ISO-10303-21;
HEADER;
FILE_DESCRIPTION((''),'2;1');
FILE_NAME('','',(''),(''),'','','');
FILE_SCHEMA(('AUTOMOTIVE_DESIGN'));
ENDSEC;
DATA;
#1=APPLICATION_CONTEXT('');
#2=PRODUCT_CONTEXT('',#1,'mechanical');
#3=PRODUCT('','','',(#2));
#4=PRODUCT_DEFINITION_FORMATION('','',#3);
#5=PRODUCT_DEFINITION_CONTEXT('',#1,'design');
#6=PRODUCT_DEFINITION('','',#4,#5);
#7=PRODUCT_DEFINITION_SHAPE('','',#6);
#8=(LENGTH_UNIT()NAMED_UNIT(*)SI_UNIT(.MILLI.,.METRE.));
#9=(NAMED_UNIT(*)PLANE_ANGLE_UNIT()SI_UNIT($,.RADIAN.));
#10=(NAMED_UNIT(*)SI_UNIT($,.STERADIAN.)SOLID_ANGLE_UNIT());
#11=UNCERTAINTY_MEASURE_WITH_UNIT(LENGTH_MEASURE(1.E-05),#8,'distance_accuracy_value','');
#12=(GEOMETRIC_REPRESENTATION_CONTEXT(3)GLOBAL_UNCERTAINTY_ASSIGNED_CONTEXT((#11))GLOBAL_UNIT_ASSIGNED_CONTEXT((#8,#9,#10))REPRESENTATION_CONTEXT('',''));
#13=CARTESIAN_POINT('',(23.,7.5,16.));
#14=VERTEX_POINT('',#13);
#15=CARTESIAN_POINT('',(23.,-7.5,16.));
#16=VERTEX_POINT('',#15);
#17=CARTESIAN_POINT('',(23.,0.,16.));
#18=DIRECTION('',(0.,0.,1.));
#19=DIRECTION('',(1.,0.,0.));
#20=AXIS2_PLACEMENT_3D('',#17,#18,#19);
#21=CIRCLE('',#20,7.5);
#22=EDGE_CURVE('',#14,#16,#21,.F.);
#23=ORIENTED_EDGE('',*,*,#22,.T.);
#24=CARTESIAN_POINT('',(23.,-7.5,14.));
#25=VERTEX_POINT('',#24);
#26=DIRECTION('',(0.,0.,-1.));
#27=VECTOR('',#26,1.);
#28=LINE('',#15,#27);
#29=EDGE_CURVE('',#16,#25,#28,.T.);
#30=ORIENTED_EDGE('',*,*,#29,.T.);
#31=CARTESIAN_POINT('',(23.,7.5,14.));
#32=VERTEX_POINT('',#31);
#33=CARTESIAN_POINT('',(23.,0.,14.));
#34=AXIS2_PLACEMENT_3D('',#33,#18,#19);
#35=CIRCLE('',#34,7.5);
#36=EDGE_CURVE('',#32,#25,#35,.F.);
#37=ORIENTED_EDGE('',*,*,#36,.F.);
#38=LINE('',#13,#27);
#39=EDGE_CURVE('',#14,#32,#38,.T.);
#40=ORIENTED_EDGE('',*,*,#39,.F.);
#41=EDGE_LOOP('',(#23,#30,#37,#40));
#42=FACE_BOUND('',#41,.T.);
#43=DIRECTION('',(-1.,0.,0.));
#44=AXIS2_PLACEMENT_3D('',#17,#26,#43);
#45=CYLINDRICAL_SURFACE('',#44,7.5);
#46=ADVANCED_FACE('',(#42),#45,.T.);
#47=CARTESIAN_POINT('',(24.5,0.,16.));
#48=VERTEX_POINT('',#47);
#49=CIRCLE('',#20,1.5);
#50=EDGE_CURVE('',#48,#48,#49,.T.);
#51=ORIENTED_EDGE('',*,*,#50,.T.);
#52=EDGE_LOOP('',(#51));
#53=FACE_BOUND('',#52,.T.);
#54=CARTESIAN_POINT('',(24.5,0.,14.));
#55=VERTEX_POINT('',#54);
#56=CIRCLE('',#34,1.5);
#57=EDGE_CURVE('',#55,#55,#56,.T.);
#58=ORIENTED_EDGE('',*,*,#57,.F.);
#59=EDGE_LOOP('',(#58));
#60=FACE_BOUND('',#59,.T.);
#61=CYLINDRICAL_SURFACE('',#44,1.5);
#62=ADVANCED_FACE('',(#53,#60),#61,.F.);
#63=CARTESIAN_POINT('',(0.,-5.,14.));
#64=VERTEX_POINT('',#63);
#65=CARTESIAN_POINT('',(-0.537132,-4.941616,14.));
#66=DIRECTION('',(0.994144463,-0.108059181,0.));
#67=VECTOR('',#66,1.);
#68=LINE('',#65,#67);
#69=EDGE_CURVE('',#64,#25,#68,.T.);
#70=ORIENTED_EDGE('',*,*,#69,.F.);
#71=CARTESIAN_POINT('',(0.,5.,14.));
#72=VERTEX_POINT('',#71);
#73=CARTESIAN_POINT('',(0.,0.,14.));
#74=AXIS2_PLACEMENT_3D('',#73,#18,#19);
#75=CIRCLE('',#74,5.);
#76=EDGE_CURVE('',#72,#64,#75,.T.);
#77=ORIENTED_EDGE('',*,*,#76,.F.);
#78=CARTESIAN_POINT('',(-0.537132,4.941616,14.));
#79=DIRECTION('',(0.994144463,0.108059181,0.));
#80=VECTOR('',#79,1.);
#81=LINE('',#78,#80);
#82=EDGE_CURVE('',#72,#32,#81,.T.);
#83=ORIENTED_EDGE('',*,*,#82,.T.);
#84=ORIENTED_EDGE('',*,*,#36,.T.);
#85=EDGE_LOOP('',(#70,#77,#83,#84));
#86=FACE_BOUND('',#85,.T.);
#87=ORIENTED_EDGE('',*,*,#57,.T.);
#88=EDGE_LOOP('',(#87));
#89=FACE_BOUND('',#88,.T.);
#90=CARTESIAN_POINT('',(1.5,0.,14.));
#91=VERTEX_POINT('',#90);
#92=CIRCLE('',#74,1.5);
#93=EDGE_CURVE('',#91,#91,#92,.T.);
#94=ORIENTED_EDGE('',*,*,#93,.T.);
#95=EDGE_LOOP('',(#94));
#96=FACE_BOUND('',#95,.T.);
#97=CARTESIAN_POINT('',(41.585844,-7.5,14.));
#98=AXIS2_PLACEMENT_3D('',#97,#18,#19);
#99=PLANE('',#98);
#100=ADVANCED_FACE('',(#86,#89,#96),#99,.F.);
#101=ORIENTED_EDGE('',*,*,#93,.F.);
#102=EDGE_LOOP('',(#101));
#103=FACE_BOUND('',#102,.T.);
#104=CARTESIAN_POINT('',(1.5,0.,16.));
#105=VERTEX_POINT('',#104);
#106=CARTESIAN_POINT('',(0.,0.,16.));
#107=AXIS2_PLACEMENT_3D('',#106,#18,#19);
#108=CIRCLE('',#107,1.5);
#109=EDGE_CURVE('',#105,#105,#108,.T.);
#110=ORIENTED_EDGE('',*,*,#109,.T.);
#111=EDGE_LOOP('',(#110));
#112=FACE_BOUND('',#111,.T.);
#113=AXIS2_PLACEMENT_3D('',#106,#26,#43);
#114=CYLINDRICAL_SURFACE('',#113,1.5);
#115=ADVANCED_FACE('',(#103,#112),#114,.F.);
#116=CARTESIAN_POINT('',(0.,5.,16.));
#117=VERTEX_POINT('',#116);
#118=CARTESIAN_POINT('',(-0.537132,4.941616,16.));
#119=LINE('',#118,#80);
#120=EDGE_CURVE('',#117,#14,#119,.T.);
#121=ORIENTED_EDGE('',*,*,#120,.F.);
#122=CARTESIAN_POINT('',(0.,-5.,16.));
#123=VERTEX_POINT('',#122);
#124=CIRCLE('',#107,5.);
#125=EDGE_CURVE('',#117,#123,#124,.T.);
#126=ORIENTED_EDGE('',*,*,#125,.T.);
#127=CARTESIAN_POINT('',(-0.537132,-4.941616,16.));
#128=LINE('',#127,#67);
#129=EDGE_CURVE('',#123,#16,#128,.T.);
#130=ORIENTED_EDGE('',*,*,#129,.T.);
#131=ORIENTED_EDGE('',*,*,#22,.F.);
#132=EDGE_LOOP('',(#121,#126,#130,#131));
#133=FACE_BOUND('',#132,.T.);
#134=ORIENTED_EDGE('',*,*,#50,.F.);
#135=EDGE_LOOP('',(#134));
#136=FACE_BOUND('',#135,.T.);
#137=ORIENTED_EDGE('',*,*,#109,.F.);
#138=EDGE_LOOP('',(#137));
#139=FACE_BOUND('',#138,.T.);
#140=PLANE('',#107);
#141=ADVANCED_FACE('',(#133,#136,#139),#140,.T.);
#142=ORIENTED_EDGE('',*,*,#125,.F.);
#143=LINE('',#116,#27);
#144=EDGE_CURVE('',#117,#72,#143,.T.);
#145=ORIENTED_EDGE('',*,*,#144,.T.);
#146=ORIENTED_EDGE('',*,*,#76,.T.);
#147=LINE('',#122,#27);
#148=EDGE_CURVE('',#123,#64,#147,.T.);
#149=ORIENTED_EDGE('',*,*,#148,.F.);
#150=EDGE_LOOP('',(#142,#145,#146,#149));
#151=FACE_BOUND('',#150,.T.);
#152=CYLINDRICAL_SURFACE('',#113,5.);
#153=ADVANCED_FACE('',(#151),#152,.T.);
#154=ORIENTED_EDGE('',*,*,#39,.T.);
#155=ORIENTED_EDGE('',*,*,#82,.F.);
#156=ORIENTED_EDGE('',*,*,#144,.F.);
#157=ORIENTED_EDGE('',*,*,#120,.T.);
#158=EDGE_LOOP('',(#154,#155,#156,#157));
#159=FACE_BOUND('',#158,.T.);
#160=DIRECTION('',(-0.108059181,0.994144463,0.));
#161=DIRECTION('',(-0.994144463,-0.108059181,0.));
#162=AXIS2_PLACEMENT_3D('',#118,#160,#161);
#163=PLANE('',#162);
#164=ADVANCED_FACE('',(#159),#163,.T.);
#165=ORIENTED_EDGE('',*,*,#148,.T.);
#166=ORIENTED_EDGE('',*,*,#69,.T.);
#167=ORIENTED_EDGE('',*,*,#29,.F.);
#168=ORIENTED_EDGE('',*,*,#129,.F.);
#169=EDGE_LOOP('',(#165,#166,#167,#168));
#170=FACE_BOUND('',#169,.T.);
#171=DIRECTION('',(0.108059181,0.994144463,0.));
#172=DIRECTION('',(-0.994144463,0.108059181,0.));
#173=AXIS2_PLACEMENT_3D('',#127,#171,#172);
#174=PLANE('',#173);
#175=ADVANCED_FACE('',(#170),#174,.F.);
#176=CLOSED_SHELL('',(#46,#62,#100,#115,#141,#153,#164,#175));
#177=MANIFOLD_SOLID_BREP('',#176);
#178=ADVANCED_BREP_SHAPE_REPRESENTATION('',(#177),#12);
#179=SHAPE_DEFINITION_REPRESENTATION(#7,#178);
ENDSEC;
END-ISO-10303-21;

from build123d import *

# Parameters (mm, degrees)
SKETCH1_R           = 1.5
BOSS_EXTRUDE1_DEPTH = 16
SKETCH3_W           = 48.560524615
SKETCH3_H           = 12
CUT_EXTRUDE1_DEPTH  = 38.566607513
SKETCH4_W           = 40.711523195
SKETCH4_H           = 24.869533466
CUT_EXTRUDE2_DEPTH  = 10


with BuildPart() as part:
    # Sketch1 → Boss-Extrude1 (new body)
    with BuildSketch(Plane.XY):
        with BuildLine():
            ThreePointArc((23, 7.5), (30.5, 0), (23, -7.5))
            Line((23, -7.5), (0, -5))
            ThreePointArc((0, -5), (-5, 0), (0, 5))
            Line((0, 5), (23, 7.5))
        make_face()
        with Locations((23, 0)):
            Circle(SKETCH1_R, mode=Mode.SUBTRACT)
        Circle(SKETCH1_R, mode=Mode.SUBTRACT)
    extrude(amount=BOSS_EXTRUDE1_DEPTH)

    # Sketch3 → Cut-Extrude1 (cut, through all)
    with BuildSketch(Plane(origin=(0, 7.5, 0), x_dir=(1, 0, 0), z_dir=(0, 1, 0))):
        with Locations((17.305581285, -8)):
            Rectangle(SKETCH3_W, SKETCH3_H)
    extrude(amount=-CUT_EXTRUDE1_DEPTH, mode=Mode.SUBTRACT)


with BuildPart() as cut_extrude1_piece_1:
    # of the separate pieces the step leaves, piece 1, a body of its own (cut_extrude1_pieces)
    add(part.part.solids().sort_by_distance((0, 5, 0))[0])

    # Sketch4 → Cut-Extrude2 (cut)
    with BuildSketch(Plane(origin=(0, 0, 0), x_dir=(-1, 0, 0), z_dir=(0, 0, -1))):
        with Locations((-12.191435823, 3.299568453)):
            Rectangle(SKETCH4_W, SKETCH4_H)
    extrude(amount=-CUT_EXTRUDE2_DEPTH, mode=Mode.SUBTRACT)


with BuildPart() as cut_extrude1_piece_2:
    # of the separate pieces the step leaves, piece 2, a body of its own (cut_extrude1_pieces)
    add(part.part.solids().sort_by_distance((0, 5, 14))[0])


solid = cut_extrude1_piece_2.part
